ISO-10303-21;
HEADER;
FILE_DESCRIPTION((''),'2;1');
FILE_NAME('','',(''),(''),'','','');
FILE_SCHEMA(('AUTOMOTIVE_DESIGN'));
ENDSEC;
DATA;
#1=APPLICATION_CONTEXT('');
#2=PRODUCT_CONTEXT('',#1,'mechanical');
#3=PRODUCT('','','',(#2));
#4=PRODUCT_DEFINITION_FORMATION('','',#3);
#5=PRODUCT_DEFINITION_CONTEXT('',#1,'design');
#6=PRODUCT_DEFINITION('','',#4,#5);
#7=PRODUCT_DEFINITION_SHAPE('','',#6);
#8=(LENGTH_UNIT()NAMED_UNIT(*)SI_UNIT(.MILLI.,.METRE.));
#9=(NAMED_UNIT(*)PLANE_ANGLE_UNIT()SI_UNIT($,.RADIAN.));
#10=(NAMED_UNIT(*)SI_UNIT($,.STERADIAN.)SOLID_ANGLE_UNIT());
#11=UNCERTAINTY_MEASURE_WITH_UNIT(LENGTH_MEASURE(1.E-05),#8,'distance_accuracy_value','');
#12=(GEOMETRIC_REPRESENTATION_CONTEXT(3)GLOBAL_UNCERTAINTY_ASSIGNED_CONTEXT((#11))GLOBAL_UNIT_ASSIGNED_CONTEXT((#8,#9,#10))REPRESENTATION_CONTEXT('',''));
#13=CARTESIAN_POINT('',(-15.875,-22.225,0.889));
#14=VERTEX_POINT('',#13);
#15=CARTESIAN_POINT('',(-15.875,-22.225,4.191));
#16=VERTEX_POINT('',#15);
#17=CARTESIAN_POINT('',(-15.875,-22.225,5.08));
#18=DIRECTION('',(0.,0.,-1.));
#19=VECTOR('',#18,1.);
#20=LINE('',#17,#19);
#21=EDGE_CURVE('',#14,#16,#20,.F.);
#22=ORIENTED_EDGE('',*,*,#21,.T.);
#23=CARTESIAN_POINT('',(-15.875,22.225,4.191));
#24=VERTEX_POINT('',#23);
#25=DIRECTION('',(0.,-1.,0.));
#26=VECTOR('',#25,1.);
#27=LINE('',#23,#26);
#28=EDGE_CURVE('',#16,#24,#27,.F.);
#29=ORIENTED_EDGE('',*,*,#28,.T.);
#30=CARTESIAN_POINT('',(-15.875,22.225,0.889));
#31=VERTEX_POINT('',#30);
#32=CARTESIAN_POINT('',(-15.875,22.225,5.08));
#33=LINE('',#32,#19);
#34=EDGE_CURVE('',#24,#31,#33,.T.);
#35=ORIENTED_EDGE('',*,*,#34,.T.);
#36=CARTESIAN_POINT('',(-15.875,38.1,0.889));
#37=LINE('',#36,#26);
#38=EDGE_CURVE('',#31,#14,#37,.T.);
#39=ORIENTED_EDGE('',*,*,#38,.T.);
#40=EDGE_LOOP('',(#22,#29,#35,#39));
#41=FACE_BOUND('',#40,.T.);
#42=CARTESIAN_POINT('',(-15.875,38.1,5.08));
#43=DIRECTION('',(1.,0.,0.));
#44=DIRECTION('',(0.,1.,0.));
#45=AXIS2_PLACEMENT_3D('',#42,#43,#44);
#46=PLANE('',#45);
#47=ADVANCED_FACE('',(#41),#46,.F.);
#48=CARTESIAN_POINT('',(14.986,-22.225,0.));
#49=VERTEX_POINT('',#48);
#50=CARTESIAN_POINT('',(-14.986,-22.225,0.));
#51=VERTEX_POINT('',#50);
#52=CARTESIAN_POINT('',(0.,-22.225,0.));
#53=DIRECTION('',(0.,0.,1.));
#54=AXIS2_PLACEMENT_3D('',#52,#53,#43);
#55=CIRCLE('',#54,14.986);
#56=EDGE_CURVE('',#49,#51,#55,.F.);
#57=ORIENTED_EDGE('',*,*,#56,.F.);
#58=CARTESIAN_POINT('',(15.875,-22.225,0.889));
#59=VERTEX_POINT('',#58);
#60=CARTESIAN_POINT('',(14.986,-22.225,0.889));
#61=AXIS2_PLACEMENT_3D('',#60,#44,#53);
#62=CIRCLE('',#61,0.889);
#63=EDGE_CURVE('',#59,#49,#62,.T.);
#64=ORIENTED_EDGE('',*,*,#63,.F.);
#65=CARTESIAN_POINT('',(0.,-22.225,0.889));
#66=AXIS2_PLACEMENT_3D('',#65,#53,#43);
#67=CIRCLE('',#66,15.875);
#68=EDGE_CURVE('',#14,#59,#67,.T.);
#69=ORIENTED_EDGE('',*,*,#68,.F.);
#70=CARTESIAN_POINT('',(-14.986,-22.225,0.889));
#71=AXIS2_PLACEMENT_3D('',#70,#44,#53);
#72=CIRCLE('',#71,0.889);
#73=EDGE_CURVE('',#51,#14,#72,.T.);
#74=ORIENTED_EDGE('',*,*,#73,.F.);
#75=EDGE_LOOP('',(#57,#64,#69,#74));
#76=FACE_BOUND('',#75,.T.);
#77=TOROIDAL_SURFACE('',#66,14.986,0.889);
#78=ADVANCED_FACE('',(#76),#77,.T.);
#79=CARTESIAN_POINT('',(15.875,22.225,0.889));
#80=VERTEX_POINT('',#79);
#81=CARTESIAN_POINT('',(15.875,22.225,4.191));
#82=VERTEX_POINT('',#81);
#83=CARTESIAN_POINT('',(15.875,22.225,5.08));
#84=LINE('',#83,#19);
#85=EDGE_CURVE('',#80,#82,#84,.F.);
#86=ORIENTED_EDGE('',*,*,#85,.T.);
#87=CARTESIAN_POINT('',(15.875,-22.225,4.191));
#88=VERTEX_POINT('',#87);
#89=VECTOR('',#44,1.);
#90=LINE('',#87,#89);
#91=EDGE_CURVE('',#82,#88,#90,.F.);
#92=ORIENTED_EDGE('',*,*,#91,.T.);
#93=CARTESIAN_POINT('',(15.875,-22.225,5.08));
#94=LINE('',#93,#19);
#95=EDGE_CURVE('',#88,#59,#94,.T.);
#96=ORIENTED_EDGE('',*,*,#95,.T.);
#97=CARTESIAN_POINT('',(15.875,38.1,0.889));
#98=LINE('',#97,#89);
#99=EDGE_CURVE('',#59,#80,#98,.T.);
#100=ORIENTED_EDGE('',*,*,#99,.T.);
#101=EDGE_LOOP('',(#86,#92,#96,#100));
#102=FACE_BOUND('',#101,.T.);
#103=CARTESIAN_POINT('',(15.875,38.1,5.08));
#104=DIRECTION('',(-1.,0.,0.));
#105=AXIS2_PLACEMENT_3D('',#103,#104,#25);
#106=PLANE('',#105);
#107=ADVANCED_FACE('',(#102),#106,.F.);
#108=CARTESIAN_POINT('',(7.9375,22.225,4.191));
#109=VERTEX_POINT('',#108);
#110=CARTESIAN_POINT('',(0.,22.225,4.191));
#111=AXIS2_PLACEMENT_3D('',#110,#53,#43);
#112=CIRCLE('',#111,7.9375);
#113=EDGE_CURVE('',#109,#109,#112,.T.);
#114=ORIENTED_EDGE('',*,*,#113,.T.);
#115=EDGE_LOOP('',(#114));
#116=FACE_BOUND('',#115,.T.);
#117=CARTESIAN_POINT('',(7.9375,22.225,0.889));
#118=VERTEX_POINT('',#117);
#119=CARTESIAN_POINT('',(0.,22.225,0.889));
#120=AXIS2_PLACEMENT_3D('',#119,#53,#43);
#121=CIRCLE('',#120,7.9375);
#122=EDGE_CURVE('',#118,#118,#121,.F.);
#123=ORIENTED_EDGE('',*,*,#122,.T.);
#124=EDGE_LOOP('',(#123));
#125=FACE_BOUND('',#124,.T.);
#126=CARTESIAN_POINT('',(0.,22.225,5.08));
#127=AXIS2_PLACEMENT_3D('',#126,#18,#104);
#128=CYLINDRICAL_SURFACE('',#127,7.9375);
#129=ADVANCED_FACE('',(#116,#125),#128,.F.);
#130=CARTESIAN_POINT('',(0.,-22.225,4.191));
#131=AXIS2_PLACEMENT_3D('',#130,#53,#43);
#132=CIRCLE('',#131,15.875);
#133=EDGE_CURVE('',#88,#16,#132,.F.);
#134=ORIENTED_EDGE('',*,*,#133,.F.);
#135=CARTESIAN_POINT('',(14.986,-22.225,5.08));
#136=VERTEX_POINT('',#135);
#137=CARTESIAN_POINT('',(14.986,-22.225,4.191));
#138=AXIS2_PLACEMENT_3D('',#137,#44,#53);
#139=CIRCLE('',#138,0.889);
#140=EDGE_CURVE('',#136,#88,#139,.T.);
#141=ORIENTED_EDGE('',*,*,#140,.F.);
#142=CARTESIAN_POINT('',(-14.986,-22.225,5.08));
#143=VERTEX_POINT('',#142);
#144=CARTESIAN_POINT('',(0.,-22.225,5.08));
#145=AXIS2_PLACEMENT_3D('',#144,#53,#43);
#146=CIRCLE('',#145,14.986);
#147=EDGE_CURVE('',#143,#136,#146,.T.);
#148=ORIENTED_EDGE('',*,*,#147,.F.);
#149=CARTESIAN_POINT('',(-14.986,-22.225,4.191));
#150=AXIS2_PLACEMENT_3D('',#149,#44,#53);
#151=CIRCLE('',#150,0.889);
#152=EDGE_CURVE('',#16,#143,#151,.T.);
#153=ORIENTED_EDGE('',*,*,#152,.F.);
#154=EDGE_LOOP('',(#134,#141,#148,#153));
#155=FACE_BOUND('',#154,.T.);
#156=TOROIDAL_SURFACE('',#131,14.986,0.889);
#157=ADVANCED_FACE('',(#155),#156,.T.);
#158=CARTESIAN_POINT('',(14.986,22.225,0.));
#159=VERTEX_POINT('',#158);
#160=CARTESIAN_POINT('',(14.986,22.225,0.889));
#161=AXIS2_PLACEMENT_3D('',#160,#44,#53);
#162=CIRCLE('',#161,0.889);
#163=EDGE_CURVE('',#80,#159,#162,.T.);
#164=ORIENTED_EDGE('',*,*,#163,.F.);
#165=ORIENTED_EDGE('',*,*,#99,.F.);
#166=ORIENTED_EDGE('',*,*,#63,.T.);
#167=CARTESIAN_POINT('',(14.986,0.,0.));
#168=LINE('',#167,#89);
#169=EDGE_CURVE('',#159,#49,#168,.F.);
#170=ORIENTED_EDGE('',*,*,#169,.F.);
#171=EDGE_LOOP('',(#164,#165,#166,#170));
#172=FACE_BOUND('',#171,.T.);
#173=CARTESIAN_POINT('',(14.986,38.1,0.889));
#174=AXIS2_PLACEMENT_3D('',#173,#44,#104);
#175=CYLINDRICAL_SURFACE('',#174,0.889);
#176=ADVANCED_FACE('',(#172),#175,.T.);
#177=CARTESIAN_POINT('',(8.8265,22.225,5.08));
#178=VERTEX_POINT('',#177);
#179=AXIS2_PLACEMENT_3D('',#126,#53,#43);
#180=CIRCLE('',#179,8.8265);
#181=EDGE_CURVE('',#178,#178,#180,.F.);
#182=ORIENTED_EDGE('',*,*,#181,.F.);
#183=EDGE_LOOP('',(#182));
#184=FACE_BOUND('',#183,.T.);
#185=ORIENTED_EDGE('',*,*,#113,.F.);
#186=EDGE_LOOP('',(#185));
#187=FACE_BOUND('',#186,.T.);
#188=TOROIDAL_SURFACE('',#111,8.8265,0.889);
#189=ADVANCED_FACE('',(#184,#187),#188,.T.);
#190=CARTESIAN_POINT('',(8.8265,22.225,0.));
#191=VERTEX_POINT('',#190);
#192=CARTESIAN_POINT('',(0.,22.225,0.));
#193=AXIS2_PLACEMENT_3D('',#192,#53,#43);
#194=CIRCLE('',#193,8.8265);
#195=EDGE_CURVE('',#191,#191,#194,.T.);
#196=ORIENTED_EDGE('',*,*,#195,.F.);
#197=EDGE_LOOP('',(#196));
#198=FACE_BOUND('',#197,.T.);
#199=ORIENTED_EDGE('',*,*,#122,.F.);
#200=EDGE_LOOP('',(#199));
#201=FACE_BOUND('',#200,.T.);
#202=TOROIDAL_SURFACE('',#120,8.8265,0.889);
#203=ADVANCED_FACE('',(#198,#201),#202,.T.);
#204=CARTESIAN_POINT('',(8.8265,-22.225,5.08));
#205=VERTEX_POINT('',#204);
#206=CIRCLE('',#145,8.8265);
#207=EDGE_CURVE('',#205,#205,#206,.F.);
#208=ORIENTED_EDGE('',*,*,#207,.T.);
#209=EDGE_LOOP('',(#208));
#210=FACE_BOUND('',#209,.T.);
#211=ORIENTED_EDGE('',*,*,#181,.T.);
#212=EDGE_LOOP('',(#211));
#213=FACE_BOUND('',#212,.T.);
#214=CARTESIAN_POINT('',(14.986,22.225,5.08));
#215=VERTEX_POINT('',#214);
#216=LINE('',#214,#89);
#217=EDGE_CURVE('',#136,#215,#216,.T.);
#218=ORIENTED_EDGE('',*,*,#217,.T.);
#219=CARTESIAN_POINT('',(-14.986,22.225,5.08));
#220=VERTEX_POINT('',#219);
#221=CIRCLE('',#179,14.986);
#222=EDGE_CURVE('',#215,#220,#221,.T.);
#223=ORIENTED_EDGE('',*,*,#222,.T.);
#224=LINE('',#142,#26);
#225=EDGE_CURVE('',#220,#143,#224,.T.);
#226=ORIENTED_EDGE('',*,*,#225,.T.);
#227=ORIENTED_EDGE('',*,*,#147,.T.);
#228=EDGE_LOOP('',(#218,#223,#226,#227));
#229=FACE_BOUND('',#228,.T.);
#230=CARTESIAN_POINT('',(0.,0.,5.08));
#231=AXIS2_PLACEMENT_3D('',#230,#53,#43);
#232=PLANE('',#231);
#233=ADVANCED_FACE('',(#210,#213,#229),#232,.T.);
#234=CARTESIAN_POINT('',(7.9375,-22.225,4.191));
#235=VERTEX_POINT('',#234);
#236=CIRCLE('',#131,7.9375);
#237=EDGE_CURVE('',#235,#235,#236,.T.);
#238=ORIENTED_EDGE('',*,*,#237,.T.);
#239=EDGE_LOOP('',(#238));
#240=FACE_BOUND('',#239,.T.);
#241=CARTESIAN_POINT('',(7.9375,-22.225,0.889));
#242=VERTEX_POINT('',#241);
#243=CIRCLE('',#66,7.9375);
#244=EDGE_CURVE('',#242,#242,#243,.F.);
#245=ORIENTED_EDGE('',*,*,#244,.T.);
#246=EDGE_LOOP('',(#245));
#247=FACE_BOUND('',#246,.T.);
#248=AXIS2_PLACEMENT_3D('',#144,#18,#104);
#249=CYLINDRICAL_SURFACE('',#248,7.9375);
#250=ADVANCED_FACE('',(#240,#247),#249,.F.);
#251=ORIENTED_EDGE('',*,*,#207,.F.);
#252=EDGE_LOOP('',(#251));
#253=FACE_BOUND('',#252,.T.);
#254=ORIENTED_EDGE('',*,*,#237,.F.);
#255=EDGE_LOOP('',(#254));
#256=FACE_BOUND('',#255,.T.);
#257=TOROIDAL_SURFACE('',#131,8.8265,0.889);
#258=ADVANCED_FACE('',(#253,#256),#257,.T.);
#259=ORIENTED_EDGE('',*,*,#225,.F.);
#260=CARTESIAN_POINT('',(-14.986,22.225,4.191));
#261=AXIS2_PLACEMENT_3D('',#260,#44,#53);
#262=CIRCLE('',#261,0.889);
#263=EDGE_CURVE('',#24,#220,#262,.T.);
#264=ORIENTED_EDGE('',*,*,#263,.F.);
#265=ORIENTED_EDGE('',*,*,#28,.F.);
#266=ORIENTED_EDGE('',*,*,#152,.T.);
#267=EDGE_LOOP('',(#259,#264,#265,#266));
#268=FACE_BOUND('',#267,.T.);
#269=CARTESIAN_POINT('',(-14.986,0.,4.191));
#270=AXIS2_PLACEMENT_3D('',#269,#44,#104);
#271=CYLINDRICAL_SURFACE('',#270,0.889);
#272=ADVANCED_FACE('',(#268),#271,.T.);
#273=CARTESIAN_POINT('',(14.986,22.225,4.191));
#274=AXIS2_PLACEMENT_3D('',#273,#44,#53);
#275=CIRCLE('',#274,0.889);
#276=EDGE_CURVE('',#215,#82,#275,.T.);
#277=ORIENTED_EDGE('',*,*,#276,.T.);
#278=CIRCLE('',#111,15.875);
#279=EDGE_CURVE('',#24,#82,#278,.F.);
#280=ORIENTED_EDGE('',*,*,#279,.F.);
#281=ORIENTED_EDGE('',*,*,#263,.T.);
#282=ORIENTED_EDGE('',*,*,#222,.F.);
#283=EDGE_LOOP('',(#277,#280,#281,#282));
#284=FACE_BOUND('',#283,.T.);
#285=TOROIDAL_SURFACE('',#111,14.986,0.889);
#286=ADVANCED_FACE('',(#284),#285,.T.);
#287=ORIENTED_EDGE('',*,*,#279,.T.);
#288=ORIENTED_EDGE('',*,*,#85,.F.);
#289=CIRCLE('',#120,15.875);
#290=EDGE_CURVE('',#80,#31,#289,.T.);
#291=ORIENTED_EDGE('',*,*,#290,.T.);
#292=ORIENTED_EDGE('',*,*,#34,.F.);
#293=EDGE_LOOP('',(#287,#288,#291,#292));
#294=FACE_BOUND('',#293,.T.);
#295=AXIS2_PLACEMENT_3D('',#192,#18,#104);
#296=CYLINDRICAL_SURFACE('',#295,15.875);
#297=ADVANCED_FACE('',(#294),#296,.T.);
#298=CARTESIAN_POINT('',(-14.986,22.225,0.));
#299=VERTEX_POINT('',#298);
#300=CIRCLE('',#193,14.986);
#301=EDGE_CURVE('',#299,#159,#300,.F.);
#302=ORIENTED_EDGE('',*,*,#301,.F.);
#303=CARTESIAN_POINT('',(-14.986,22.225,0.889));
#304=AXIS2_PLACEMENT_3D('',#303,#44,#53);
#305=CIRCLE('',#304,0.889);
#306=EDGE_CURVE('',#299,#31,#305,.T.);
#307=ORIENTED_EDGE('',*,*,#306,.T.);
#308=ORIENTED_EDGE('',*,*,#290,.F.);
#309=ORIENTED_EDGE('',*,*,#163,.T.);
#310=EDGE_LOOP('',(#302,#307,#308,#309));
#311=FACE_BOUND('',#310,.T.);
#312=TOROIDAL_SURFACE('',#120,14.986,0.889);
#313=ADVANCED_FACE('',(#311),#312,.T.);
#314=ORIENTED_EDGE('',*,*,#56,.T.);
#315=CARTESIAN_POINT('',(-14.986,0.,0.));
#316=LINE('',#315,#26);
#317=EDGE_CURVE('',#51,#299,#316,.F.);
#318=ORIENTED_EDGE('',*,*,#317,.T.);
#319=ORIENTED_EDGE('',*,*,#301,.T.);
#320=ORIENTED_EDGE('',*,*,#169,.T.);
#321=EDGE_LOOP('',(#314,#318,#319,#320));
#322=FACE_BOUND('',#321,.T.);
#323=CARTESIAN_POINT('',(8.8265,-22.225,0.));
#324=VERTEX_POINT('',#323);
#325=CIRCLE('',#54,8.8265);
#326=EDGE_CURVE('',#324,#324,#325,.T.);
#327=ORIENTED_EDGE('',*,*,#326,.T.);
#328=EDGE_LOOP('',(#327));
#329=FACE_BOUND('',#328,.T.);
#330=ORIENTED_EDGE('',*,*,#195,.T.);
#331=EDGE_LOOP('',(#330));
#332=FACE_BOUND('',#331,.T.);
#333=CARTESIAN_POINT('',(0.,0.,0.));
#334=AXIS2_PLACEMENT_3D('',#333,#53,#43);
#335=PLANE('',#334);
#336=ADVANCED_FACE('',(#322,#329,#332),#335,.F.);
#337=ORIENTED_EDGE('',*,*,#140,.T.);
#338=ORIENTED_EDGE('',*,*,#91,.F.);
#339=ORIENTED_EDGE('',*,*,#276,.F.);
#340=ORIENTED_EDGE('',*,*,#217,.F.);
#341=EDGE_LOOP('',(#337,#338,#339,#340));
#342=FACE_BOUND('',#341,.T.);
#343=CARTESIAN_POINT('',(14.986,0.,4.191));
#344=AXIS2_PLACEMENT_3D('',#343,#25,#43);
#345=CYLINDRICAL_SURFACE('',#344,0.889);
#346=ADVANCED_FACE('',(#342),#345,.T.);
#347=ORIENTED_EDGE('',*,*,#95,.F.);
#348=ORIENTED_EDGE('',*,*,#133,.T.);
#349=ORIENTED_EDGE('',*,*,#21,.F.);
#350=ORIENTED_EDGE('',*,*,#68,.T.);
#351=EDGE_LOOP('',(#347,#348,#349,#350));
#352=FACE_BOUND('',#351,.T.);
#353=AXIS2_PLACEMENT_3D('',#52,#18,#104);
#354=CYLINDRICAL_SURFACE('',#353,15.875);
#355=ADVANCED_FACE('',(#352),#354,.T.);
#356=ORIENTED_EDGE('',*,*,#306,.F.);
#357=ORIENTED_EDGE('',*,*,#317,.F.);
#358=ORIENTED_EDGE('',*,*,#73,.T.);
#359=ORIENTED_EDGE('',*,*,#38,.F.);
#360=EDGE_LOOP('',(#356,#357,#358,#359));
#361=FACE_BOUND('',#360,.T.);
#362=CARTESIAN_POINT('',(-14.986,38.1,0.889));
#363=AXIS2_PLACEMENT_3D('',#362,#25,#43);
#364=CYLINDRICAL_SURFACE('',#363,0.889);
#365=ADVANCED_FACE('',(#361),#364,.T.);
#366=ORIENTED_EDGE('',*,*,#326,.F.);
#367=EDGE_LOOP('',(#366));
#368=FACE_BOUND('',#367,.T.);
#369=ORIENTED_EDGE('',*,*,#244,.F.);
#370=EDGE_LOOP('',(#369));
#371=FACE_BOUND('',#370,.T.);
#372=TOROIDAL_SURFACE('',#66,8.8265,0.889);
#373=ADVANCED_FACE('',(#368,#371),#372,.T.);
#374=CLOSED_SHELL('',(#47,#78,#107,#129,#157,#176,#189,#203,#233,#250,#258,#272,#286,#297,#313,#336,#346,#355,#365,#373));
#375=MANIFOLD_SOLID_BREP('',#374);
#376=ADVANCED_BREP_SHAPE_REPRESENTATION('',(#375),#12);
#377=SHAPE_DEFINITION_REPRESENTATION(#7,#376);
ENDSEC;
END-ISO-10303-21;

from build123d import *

# Parameters (mm, degrees)
SKETCH1_W           = 31.75
SKETCH1_H           = 76.2
SKETCH1_R           = 7.9375
BOSS_EXTRUDE1_DEPTH = 5.08
FILLET1_RADIUS      = 15.875
FILLET1_LENGTH      = 5.08
FILLET2_RADIUS      = 15.875
FILLET2_LENGTH      = 5.08
FILLET3_R           = 0.889


with BuildPart() as part:
    # Sketch1 → Boss-Extrude1 (new body)
    with BuildSketch(Plane.XY):
        Rectangle(SKETCH1_W, SKETCH1_H)
        with Locations((0, 22.225)):
            Circle(SKETCH1_R, mode=Mode.SUBTRACT)
        with Locations((0, -22.225)):
            Circle(SKETCH1_R, mode=Mode.SUBTRACT)
    extrude(amount=BOSS_EXTRUDE1_DEPTH)

    # Fillet1: full round fillet: the end face becomes a half cylinder, R = half its width
    fillet1_face = Plane((0, 38.1, 2.54), x_dir=(0, 0, 1), z_dir=(0, 1, 0))  # on the end face: x along it, z out of the body
    fillet1_slab = fillet1_face.offset(-FILLET1_RADIUS / 2) * Box(FILLET1_LENGTH, 2 * FILLET1_RADIUS, FILLET1_RADIUS, mode=Mode.PRIVATE)  # the body's end, R deep
    fillet1_round = Plane((0, 22.225, 2.54), x_dir=(0, 1, 0), z_dir=(0, 0, 1)) * Cylinder(FILLET1_RADIUS, FILLET1_LENGTH, mode=Mode.PRIVATE)  # its axis R under the face
    add(fillet1_slab - fillet1_round, mode=Mode.SUBTRACT)

    # Fillet2: full round fillet: the end face becomes a half cylinder, R = half its width
    fillet2_face = Plane((0, -38.1, 2.54), x_dir=(0, 0, 1), z_dir=(0, -1, 0))  # on the end face: x along it, z out of the body
    fillet2_slab = fillet2_face.offset(-FILLET2_RADIUS / 2) * Box(FILLET2_LENGTH, 2 * FILLET2_RADIUS, FILLET2_RADIUS, mode=Mode.PRIVATE)  # the body's end, R deep
    fillet2_round = Plane((0, -22.225, 2.54), x_dir=(0, -1, 0), z_dir=(0, 0, 1)) * Cylinder(FILLET2_RADIUS, FILLET2_LENGTH, mode=Mode.PRIVATE)  # its axis R under the face
    add(fillet2_slab - fillet2_round, mode=Mode.SUBTRACT)

    # Fillet3
    fillet3_edges = [part.edges().sort_by_distance(p)[0] for p in [
        (-7.9375, 22.225, 0),
        (-7.9375, 22.225, 5.08),
        (-7.9375, -22.225, 0),
        (-7.9375, -22.225, 5.08),
        (-15.875, 0, 0),
        (-15.875, 0, 5.08),
        (0, 38.1, 0),
        (0, 38.1, 5.08),
        (15.875, 0, 0),
        (15.875, 0, 5.08),
        (0, -38.1, 0),
        (0, -38.1, 5.08),
    ]]
    fillet(fillet3_edges, radius=FILLET3_R)


solid = part.part
